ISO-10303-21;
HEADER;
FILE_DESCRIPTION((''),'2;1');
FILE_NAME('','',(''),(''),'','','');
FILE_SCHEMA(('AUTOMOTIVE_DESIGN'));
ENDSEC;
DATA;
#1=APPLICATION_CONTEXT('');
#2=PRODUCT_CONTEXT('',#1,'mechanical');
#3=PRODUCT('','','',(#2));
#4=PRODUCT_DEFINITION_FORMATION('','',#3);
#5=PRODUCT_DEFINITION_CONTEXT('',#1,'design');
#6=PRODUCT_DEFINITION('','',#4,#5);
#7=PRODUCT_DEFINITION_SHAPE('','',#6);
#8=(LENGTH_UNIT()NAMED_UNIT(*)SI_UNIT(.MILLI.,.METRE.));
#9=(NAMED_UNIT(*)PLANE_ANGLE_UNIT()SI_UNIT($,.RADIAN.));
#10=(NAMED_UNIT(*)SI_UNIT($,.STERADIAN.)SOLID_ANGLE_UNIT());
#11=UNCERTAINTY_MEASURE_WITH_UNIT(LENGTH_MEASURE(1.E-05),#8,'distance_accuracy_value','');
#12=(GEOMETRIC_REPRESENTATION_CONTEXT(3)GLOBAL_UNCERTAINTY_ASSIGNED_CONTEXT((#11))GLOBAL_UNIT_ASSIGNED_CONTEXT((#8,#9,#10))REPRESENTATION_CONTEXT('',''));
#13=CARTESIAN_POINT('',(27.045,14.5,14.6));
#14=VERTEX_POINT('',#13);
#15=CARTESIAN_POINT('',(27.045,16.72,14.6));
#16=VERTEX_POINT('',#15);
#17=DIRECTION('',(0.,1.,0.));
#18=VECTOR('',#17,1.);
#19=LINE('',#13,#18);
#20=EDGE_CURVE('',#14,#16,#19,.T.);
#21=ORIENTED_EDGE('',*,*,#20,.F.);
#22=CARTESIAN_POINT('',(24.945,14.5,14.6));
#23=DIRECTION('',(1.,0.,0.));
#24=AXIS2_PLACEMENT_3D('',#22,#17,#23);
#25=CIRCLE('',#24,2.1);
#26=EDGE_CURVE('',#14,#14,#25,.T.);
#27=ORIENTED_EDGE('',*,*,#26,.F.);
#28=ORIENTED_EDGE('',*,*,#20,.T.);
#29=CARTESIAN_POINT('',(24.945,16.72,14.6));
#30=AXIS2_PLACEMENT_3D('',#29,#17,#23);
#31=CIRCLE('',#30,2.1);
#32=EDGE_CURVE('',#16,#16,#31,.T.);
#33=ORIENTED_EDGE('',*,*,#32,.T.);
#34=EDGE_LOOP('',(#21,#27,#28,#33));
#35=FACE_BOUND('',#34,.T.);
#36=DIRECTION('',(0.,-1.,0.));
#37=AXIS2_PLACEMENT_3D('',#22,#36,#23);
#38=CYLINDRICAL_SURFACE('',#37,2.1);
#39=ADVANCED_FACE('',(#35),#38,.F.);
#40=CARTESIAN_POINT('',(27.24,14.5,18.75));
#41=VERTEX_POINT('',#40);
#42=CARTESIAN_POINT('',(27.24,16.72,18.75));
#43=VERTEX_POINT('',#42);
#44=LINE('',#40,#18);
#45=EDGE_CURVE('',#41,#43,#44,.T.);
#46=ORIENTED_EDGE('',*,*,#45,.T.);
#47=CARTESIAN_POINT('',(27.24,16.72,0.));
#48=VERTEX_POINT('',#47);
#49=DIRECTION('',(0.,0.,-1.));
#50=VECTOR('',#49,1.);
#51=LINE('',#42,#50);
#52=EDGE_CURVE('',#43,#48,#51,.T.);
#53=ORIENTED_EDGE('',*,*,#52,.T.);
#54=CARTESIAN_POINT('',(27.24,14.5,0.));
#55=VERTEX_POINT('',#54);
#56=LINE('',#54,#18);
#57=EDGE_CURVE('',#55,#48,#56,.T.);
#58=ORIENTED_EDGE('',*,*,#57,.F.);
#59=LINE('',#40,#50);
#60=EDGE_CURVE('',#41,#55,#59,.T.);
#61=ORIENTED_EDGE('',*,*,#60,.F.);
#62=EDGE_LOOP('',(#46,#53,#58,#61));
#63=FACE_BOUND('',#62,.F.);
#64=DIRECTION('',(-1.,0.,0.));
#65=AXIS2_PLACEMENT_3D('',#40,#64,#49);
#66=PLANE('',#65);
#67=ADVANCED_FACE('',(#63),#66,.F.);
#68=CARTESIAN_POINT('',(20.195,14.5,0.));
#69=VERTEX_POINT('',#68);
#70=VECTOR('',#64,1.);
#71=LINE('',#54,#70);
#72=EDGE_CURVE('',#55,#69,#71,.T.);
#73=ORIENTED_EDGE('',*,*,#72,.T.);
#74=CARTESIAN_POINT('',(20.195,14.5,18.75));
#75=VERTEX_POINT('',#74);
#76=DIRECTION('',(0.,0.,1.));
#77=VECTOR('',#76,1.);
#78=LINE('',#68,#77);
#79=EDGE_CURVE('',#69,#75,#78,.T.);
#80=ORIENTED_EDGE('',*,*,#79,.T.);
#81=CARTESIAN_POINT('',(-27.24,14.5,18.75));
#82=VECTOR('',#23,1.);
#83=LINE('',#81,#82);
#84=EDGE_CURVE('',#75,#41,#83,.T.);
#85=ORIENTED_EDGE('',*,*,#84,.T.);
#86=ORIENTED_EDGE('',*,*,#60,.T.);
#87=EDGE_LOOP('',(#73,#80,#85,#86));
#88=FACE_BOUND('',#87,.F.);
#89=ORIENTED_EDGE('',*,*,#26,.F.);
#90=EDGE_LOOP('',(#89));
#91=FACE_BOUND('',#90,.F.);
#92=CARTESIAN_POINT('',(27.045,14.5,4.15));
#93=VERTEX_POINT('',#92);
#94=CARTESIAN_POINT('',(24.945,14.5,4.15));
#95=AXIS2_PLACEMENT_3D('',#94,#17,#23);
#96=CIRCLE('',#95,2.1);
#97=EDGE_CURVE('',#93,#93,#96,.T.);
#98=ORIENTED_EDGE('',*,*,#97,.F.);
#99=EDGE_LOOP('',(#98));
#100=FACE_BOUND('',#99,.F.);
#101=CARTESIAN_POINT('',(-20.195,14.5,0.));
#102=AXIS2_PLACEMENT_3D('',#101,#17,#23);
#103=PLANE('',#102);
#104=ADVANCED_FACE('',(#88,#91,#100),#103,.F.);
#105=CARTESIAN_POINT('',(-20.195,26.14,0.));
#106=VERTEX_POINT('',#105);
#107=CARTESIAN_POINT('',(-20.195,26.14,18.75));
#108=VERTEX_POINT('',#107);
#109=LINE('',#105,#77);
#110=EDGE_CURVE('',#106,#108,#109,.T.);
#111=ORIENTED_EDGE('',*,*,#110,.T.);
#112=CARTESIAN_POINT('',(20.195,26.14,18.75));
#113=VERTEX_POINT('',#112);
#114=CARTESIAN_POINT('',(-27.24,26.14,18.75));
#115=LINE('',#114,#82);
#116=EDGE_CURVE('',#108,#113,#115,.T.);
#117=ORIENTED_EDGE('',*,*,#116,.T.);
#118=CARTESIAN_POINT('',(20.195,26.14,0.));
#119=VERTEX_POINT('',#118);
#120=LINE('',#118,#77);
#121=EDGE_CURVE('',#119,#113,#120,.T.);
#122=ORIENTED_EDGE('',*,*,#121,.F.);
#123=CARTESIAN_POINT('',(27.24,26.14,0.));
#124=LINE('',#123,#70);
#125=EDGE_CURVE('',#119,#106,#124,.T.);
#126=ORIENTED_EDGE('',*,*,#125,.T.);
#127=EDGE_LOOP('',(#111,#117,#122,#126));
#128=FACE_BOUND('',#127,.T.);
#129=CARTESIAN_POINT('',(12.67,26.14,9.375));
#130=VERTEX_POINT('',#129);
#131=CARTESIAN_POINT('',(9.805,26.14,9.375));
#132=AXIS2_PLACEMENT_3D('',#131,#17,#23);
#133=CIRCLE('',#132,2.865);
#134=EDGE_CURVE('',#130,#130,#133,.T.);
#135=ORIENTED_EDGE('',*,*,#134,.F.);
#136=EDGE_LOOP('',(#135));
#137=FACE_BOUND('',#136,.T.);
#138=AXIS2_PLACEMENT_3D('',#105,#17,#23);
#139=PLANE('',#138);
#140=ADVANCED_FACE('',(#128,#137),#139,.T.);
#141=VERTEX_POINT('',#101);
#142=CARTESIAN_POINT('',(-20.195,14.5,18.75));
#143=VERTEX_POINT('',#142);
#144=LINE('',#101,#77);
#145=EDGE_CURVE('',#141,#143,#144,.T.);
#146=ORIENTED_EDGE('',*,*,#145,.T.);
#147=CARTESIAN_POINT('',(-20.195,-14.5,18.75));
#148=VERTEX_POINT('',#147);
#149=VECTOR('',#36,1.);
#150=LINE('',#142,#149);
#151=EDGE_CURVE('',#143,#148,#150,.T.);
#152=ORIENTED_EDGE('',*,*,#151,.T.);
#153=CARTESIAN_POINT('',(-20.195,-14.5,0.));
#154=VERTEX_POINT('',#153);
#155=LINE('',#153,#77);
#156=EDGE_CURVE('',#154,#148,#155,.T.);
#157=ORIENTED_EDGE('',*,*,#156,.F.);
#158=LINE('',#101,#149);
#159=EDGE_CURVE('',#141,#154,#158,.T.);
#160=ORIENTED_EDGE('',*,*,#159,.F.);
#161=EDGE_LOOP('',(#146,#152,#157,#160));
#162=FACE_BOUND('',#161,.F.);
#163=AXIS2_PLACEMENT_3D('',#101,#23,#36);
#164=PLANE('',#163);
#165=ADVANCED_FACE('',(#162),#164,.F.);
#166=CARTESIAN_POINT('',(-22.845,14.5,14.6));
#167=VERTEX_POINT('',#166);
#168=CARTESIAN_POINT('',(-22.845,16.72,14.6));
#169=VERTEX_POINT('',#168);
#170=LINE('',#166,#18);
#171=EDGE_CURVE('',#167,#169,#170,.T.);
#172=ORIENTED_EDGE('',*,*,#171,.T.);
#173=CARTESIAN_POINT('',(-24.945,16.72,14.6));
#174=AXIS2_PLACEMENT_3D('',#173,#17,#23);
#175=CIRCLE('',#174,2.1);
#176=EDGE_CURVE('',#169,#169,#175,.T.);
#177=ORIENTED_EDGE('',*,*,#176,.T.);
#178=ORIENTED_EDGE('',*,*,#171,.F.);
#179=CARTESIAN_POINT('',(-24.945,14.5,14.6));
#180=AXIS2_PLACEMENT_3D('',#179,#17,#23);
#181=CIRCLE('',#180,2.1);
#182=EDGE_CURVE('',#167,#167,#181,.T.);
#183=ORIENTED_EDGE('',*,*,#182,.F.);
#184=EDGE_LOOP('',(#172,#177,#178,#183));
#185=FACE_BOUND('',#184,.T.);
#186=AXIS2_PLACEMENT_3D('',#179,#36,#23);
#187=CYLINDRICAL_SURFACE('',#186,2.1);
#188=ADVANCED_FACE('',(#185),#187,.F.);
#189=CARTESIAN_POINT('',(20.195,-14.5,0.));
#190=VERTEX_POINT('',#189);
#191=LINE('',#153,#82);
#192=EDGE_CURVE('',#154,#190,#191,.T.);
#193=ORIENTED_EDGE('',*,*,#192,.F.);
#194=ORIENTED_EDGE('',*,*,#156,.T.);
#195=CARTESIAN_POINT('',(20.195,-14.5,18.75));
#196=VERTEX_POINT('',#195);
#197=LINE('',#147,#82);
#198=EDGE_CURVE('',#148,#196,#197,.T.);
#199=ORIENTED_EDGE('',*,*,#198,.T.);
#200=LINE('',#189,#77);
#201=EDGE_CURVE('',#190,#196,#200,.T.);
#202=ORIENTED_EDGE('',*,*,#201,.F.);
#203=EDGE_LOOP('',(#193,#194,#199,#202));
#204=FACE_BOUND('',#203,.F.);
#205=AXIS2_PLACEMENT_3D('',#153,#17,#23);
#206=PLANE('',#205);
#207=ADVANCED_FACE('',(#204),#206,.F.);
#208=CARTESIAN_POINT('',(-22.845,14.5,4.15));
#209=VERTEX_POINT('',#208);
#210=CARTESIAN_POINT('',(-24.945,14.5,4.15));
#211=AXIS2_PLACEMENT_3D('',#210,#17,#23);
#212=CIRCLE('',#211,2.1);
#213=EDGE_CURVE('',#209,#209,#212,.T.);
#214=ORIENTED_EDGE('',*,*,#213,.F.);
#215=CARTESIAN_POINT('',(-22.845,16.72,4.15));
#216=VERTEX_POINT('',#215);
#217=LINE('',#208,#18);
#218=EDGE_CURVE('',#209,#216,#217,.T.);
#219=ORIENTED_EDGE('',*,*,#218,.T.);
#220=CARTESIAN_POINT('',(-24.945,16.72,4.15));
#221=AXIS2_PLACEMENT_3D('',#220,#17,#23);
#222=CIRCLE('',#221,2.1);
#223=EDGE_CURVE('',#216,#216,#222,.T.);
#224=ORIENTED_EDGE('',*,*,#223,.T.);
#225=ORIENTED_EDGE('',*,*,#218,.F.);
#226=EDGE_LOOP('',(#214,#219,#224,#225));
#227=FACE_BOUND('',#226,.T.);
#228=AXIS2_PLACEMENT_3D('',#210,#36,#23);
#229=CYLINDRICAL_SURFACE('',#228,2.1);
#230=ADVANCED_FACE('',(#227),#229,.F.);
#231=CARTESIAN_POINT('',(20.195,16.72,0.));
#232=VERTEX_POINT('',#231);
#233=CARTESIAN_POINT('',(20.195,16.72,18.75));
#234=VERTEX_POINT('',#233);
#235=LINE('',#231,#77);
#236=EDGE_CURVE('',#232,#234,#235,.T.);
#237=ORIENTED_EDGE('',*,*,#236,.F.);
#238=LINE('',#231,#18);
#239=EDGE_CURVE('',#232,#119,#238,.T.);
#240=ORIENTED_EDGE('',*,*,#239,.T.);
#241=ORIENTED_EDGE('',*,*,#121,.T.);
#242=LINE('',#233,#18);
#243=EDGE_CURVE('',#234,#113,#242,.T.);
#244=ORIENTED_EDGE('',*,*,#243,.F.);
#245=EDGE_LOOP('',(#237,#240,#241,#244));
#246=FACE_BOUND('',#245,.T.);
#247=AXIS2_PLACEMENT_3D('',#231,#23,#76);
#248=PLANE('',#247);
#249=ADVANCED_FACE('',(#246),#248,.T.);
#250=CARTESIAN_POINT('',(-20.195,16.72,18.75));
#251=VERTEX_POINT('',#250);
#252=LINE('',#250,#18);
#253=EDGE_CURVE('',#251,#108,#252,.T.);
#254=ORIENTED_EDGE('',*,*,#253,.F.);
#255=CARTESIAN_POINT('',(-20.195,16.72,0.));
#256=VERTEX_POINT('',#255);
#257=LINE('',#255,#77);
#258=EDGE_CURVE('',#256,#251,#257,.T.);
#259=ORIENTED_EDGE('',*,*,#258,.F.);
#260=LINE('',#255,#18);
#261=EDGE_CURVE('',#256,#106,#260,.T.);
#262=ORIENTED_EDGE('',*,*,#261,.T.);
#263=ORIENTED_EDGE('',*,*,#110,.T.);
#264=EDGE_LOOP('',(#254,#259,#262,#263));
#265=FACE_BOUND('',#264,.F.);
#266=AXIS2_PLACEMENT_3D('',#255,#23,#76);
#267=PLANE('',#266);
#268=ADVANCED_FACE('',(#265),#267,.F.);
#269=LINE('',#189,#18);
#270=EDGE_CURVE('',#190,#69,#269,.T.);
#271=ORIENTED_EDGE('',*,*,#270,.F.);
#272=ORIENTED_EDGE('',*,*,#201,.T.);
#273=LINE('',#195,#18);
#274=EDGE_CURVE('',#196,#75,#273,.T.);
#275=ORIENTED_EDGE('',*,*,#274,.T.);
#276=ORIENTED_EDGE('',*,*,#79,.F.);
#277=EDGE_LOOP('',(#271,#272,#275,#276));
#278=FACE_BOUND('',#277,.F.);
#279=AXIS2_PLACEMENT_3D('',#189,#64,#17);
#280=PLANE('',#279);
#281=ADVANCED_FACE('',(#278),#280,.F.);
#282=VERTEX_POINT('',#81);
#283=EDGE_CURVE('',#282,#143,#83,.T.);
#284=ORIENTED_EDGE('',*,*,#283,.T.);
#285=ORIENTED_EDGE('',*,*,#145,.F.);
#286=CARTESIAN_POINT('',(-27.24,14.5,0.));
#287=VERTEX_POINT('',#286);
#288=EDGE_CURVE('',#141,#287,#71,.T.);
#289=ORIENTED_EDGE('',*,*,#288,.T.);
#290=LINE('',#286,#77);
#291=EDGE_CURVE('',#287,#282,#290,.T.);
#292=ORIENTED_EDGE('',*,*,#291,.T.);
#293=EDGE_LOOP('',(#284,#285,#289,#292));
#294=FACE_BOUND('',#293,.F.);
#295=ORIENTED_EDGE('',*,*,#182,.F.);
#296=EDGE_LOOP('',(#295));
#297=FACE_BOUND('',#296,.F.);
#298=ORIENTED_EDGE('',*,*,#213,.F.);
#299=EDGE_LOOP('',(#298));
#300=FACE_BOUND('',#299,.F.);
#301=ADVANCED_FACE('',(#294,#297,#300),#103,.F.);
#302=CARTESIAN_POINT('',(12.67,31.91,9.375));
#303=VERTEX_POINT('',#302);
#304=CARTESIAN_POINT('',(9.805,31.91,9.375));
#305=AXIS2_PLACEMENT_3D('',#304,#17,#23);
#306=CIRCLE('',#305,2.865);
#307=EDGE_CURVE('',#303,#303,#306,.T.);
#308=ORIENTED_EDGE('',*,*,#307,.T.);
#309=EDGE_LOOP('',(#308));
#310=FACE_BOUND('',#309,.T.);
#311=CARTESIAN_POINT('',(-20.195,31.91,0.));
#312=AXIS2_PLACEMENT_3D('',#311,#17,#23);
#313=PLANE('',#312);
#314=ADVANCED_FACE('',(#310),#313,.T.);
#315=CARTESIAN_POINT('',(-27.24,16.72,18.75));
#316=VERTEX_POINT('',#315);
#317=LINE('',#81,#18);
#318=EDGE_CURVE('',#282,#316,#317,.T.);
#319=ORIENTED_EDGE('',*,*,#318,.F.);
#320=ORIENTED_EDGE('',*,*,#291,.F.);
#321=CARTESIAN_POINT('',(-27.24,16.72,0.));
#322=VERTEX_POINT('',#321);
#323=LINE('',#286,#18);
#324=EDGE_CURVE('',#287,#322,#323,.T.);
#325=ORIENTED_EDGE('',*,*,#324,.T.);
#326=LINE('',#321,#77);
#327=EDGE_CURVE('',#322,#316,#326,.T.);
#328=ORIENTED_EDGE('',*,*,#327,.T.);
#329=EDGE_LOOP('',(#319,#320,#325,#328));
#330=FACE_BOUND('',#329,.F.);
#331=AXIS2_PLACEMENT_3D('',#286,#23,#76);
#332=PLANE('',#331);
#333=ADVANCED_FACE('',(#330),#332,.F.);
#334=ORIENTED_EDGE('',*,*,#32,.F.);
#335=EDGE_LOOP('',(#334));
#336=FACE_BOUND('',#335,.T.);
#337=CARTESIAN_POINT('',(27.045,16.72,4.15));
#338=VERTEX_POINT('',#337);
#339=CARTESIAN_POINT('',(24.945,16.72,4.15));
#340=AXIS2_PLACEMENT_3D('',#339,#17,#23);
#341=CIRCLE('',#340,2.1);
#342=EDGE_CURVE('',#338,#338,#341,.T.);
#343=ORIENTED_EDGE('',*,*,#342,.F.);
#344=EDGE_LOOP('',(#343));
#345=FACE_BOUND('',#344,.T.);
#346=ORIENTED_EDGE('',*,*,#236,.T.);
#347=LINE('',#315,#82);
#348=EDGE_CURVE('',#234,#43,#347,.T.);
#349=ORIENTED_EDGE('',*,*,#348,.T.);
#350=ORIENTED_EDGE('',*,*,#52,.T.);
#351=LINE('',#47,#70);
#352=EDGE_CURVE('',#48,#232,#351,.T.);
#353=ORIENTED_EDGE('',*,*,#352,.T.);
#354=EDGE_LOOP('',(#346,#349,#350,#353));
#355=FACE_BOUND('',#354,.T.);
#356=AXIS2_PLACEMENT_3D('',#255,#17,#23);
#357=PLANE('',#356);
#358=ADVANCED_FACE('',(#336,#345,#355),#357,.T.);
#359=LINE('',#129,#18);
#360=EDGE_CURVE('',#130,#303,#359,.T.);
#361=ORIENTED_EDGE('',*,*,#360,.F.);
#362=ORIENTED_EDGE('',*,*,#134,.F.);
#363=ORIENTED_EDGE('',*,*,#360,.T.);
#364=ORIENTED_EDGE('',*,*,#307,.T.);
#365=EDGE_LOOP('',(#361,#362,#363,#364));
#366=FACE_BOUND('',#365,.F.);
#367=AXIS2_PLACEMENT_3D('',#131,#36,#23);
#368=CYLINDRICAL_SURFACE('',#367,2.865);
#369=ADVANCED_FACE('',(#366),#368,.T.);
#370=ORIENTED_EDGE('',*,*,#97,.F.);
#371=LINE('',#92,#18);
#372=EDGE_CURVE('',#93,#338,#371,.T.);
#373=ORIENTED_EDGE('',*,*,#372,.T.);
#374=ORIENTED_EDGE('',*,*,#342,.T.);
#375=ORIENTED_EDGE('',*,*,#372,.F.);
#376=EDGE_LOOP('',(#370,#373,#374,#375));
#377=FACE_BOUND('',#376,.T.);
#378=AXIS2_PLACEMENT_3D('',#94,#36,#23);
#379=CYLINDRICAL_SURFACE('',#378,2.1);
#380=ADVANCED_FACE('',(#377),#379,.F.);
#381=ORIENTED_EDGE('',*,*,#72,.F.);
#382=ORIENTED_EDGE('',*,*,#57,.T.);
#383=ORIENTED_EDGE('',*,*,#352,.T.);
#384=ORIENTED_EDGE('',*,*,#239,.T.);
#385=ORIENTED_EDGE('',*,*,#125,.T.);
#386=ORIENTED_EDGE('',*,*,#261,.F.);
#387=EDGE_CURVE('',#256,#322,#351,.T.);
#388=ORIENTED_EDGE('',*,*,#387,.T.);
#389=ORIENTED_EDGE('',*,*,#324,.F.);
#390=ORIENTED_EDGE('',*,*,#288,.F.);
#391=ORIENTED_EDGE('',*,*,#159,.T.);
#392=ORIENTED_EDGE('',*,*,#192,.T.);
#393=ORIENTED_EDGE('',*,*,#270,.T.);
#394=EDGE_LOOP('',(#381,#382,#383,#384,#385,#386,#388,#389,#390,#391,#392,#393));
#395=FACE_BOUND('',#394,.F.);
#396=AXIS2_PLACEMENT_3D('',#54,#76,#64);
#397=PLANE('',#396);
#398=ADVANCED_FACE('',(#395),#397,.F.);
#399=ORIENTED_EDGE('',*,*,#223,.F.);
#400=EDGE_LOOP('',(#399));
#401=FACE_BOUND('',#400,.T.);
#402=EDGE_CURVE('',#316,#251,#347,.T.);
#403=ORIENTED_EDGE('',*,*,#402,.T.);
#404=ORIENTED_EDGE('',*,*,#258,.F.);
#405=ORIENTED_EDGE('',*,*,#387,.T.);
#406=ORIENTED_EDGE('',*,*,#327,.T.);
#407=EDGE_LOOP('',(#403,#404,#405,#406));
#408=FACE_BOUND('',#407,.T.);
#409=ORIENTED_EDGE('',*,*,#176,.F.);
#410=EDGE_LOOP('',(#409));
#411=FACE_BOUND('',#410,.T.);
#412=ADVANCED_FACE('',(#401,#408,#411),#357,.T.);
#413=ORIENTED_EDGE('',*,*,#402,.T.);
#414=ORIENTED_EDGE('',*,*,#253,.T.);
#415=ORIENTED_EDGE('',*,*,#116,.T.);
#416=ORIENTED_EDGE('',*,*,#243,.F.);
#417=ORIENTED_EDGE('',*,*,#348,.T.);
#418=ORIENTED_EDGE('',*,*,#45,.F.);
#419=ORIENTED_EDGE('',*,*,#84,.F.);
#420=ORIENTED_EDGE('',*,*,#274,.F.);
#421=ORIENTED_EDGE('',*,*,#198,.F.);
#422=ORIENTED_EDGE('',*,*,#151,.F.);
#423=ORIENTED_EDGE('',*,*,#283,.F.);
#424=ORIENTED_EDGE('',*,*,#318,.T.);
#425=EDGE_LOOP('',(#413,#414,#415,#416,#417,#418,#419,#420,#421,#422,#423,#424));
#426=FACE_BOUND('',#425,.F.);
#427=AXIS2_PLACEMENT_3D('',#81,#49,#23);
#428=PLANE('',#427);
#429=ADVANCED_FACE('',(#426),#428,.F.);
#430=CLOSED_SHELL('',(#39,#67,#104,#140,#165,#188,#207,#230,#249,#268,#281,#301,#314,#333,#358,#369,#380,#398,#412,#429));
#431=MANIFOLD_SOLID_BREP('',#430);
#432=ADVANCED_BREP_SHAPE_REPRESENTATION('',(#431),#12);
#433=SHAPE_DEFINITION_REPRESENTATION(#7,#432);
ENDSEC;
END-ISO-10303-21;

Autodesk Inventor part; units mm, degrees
ref_plane "YZ Plane" through (0, 0, 0) normal (1, 0, 0) x (0, 1, 0)
ref_plane "XZ Plane" through (0, 0, 0) normal (0, 1, 0) x (-1, 0, 0)
ref_plane "XY Plane" through (0, 0, 0) normal (0, 0, 1) x (1, 0, 0)
sketch "Sketch2" plane through (0, 0, 0) normal (0, 0, 1) x (1, 0, 0)
  line L0 (-20.195, -14.5) -> (20.195, -14.5)
  line L1 (20.195, -14.5) -> (20.195, 14.5)
  line L2 (20.195, 14.5) -> (-20.195, 14.5)
  line L3 (-20.195, 14.5) -> (-20.195, -14.5)
  line L4 (-20.195, -14.5) -> (20.195, 14.5) construction
  line L5 (20.195, -14.5) -> (-20.195, 14.5) construction
  point P0 (0, 0)
  dimension "d0" = 40.39
  dimension "d1" = 29
extrude "Extrusion1" add sketch "Sketch2" along normal blind 18.75
sketch "Sketch3" plane through (-20.195, 14.5, 0) normal (0, 1, 0) x (1, 0, 0)
  line L0 (40.39, 0) -> (0, 0) construction
  line L1 (0, 0) -> (0, -18.75) construction
  line L2 (40.39, -18.75) -> (0, -18.75) construction
  line L3 (40.39, 0) -> (40.39, -18.75) construction
  line L4 (0, 0) -> (40.39, -18.75) construction
  line L5 (-7.045, -18.75) -> (47.435, -18.75)
  line L6 (47.435, -18.75) -> (47.435, 0)
  line L7 (47.435, 0) -> (-7.045, 0)
  line L8 (-7.045, 0) -> (-7.045, -18.75)
  line L9 (-7.045, -18.75) -> (47.435, 0) construction
  line L10 (47.435, -18.75) -> (-7.045, 0) construction
  line L11 (-7.045, -9.375) -> (47.435, -9.375) construction
  circle A0 centre (-4.75, -4.15) radius 2.1
  line L12 (20.195, -9.375) -> (20.195, -3.4775) construction
  circle A1 centre (-4.75, -14.6) radius 2.1
  circle A2 centre (45.14, -4.15) radius 2.1
  circle A3 centre (45.14, -14.6) radius 2.1
  point P0 (20.195, 0)
  dimension "d4" = 54.48
  dimension "d5" = 4.2
  dimension "d6" = 4.15
  dimension "d7" = 4.75
extrude "Extrusion2" add sketch "Sketch3" along normal blind 2.22
sketch "Sketch4" plane through (-20.195, 16.72, 0) normal (0, 1, 0) x (1, 0, 0)
  line L0 (0, 0) -> (0, -18.75) projected
  line L1 (40.39, 0) -> (40.39, -18.75) projected
  line L2 (47.435, 0) -> (-7.045, 0) projected
  line L3 (-7.045, -18.75) -> (47.435, -18.75) projected
  point P0 (20.195, 0)
extrude "Extrusion3" add sketch "Sketch4" along normal blind 9.42
sketch "Sketch5" plane through (-20.195, 26.14, 0) normal (0, 1, 0) x (1, 0, 0)
  line L0 (40.39, -18.75) -> (40.39, 0) projected
  line L1 (40.39, 0) -> (0, 0) projected
  line L2 (0, 0) -> (0, -18.75) projected
  line L3 (0, -18.75) -> (40.39, -18.75) projected
  line L4 (40.39, -9.375) -> (0, -9.375) construction
  circle A0 centre (30, -9.375) radius 2.865
  point P0 (20.195, 0)
  dimension "d12" = 30
  dimension "d13" = 5.73
extrude "Extrusion4" add sketch "Sketch5" along normal blind 5.77 contours A0
ref_plane "Work Plane1" through (0, 0, 9.375) normal (0, 0, 1) x (1, 0, 0)
properties part number "40kgServo"
